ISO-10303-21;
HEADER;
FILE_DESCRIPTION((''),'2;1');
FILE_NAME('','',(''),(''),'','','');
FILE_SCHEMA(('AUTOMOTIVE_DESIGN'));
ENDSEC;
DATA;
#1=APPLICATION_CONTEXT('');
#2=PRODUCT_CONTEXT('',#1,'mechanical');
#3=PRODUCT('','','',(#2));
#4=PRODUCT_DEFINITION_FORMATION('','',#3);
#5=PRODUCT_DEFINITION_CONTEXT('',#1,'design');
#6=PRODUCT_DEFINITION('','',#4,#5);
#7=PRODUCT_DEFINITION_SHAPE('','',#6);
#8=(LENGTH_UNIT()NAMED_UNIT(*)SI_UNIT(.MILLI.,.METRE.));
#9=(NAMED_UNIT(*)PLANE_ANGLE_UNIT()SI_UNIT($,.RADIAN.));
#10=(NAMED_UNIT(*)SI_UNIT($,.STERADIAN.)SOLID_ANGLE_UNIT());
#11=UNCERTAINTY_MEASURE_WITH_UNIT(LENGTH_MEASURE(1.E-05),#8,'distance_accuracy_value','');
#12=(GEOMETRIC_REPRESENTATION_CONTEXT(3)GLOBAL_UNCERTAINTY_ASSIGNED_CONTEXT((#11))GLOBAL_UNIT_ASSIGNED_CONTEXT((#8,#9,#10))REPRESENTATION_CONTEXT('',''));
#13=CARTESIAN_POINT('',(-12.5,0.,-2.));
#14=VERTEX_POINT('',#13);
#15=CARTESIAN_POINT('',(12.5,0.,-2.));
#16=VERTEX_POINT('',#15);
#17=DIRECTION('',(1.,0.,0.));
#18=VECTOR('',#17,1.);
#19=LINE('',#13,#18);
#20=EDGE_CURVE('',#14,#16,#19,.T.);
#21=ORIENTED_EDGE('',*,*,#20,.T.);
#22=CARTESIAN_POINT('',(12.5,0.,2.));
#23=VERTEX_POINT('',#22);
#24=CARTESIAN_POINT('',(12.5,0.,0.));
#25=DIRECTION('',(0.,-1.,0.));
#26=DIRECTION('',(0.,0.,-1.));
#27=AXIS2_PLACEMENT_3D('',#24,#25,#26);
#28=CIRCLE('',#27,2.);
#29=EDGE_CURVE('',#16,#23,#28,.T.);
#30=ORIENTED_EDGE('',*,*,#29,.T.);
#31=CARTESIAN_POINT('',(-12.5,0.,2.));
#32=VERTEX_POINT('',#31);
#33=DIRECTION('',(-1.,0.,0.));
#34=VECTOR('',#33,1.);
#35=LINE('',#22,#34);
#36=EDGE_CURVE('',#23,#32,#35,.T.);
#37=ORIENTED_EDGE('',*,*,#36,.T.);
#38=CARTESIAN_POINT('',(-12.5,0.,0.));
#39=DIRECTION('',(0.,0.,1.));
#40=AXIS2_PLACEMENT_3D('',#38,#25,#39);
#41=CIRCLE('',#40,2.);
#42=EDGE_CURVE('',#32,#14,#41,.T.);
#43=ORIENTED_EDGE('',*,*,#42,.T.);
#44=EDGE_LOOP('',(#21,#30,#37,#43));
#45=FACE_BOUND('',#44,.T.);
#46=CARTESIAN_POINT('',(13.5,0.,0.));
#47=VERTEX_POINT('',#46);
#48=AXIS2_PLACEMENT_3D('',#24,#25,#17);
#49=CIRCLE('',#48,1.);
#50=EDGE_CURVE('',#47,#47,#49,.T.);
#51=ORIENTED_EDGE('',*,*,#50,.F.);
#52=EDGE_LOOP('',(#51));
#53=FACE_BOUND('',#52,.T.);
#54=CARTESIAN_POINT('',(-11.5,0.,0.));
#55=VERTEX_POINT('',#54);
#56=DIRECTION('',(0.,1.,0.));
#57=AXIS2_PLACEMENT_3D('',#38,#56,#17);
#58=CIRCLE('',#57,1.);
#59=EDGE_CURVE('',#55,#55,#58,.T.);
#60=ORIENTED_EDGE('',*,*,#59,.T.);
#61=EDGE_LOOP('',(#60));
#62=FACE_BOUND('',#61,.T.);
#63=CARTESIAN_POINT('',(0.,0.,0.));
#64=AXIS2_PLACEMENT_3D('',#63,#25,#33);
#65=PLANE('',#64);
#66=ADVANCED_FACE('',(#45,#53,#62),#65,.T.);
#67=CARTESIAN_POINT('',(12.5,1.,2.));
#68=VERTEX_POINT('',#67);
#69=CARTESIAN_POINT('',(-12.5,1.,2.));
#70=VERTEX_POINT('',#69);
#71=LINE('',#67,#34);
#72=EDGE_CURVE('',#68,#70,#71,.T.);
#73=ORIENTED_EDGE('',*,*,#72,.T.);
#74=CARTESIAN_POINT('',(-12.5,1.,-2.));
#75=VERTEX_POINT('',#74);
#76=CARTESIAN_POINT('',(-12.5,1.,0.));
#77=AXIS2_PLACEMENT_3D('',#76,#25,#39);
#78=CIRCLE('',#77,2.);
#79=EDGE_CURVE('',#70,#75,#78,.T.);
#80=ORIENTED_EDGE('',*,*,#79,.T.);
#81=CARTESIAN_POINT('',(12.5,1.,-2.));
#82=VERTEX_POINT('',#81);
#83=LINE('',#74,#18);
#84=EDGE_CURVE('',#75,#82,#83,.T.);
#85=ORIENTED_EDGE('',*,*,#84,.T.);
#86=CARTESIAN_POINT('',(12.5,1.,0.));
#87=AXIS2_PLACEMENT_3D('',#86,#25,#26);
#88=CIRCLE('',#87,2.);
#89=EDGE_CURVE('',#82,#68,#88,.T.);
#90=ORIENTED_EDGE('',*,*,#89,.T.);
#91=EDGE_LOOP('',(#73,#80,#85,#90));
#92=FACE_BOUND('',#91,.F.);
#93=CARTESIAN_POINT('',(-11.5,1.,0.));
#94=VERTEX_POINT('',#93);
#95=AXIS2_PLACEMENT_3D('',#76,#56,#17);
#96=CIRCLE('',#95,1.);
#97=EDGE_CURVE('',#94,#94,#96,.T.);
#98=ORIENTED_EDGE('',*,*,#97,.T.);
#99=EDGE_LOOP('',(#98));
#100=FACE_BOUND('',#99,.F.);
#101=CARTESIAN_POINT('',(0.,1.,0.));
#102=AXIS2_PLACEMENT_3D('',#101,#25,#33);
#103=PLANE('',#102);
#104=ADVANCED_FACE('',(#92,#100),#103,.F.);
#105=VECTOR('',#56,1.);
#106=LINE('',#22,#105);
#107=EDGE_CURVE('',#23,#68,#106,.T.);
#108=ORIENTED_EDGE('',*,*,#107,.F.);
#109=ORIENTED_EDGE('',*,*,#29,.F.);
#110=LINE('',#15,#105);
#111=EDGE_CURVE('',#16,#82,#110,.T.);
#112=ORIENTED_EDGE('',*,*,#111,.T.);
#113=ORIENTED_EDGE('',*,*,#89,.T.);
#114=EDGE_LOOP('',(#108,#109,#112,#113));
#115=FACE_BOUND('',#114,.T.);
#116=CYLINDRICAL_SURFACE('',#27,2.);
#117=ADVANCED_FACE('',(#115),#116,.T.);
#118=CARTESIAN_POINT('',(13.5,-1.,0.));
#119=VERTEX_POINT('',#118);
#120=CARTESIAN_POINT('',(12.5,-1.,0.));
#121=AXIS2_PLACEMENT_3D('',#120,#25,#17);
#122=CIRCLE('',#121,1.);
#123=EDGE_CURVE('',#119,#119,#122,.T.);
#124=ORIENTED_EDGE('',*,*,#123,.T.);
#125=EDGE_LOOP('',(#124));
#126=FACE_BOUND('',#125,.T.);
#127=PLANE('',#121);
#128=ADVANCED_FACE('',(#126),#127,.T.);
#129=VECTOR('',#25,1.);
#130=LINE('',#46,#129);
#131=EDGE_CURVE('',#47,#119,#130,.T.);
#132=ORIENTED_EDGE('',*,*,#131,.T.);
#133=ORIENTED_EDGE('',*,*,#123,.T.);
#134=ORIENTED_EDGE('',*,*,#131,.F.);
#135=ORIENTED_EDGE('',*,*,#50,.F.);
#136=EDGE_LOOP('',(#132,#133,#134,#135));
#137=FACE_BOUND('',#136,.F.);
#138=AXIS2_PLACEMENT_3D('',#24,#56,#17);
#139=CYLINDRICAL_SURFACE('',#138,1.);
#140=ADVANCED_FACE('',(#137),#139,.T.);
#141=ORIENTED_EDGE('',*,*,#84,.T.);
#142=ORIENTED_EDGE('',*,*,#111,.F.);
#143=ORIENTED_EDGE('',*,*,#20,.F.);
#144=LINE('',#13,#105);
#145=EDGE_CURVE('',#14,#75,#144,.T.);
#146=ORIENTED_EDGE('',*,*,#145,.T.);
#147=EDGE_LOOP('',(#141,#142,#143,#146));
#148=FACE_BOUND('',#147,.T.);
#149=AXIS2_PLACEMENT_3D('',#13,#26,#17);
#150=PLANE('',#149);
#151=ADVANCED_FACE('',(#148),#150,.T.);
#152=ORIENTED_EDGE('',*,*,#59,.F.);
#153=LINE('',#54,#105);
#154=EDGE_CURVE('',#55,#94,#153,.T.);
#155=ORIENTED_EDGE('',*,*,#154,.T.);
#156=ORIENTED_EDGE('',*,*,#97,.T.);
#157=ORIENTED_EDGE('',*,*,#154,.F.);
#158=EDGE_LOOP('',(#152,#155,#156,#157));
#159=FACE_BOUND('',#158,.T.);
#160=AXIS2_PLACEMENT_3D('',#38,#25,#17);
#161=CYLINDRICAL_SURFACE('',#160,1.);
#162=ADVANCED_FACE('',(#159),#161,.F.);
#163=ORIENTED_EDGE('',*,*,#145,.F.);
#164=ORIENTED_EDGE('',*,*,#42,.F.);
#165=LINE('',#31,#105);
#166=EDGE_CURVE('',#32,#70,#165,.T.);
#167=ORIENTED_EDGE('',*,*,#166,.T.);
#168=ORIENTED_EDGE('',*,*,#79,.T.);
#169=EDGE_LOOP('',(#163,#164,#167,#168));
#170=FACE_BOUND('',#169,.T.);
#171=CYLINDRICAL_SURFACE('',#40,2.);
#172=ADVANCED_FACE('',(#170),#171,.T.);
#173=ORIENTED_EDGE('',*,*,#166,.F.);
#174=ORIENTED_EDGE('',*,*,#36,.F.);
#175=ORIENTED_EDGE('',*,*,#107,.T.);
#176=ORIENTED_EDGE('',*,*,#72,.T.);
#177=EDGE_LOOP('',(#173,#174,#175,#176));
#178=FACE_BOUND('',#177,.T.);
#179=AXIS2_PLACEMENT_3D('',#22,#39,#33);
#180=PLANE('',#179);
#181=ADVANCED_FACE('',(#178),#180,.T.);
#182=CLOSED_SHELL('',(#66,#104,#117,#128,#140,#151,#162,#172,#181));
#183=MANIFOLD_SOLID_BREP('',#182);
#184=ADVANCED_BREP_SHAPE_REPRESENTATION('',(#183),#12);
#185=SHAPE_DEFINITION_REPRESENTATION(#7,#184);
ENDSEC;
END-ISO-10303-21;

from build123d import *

# Parameters (mm, degrees)
SKETCH1_R           = 1
BOSS_EXTRUDE2_DEPTH = 1
SKETCH5_R           = 1
BOSS_EXTRUDE3_DEPTH = 1


with BuildPart() as part:
    # Sketch1 → Boss-Extrude2 (new body)
    with BuildSketch(Plane(origin=(0, 0, 0), x_dir=(1, 0, 0), z_dir=(0, 1, 0))):
        with BuildLine():
            Line((-12.5, 2), (12.5, 2))
            ThreePointArc((12.5, 2), (14.5, 0), (12.5, -2))
            Line((12.5, -2), (-12.5, -2))
            ThreePointArc((-12.5, -2), (-14.5, 0), (-12.5, 2))
        make_face()
        with Locations((-12.5, 0)):
            Circle(SKETCH1_R, mode=Mode.SUBTRACT)
    extrude(amount=BOSS_EXTRUDE2_DEPTH)

    # Sketch5 → Boss-Extrude3 (add)
    with BuildSketch(Plane.XZ):
        with Locations((12.5, 0)):
            Circle(SKETCH5_R)
    extrude(amount=BOSS_EXTRUDE3_DEPTH)


solid = part.part
